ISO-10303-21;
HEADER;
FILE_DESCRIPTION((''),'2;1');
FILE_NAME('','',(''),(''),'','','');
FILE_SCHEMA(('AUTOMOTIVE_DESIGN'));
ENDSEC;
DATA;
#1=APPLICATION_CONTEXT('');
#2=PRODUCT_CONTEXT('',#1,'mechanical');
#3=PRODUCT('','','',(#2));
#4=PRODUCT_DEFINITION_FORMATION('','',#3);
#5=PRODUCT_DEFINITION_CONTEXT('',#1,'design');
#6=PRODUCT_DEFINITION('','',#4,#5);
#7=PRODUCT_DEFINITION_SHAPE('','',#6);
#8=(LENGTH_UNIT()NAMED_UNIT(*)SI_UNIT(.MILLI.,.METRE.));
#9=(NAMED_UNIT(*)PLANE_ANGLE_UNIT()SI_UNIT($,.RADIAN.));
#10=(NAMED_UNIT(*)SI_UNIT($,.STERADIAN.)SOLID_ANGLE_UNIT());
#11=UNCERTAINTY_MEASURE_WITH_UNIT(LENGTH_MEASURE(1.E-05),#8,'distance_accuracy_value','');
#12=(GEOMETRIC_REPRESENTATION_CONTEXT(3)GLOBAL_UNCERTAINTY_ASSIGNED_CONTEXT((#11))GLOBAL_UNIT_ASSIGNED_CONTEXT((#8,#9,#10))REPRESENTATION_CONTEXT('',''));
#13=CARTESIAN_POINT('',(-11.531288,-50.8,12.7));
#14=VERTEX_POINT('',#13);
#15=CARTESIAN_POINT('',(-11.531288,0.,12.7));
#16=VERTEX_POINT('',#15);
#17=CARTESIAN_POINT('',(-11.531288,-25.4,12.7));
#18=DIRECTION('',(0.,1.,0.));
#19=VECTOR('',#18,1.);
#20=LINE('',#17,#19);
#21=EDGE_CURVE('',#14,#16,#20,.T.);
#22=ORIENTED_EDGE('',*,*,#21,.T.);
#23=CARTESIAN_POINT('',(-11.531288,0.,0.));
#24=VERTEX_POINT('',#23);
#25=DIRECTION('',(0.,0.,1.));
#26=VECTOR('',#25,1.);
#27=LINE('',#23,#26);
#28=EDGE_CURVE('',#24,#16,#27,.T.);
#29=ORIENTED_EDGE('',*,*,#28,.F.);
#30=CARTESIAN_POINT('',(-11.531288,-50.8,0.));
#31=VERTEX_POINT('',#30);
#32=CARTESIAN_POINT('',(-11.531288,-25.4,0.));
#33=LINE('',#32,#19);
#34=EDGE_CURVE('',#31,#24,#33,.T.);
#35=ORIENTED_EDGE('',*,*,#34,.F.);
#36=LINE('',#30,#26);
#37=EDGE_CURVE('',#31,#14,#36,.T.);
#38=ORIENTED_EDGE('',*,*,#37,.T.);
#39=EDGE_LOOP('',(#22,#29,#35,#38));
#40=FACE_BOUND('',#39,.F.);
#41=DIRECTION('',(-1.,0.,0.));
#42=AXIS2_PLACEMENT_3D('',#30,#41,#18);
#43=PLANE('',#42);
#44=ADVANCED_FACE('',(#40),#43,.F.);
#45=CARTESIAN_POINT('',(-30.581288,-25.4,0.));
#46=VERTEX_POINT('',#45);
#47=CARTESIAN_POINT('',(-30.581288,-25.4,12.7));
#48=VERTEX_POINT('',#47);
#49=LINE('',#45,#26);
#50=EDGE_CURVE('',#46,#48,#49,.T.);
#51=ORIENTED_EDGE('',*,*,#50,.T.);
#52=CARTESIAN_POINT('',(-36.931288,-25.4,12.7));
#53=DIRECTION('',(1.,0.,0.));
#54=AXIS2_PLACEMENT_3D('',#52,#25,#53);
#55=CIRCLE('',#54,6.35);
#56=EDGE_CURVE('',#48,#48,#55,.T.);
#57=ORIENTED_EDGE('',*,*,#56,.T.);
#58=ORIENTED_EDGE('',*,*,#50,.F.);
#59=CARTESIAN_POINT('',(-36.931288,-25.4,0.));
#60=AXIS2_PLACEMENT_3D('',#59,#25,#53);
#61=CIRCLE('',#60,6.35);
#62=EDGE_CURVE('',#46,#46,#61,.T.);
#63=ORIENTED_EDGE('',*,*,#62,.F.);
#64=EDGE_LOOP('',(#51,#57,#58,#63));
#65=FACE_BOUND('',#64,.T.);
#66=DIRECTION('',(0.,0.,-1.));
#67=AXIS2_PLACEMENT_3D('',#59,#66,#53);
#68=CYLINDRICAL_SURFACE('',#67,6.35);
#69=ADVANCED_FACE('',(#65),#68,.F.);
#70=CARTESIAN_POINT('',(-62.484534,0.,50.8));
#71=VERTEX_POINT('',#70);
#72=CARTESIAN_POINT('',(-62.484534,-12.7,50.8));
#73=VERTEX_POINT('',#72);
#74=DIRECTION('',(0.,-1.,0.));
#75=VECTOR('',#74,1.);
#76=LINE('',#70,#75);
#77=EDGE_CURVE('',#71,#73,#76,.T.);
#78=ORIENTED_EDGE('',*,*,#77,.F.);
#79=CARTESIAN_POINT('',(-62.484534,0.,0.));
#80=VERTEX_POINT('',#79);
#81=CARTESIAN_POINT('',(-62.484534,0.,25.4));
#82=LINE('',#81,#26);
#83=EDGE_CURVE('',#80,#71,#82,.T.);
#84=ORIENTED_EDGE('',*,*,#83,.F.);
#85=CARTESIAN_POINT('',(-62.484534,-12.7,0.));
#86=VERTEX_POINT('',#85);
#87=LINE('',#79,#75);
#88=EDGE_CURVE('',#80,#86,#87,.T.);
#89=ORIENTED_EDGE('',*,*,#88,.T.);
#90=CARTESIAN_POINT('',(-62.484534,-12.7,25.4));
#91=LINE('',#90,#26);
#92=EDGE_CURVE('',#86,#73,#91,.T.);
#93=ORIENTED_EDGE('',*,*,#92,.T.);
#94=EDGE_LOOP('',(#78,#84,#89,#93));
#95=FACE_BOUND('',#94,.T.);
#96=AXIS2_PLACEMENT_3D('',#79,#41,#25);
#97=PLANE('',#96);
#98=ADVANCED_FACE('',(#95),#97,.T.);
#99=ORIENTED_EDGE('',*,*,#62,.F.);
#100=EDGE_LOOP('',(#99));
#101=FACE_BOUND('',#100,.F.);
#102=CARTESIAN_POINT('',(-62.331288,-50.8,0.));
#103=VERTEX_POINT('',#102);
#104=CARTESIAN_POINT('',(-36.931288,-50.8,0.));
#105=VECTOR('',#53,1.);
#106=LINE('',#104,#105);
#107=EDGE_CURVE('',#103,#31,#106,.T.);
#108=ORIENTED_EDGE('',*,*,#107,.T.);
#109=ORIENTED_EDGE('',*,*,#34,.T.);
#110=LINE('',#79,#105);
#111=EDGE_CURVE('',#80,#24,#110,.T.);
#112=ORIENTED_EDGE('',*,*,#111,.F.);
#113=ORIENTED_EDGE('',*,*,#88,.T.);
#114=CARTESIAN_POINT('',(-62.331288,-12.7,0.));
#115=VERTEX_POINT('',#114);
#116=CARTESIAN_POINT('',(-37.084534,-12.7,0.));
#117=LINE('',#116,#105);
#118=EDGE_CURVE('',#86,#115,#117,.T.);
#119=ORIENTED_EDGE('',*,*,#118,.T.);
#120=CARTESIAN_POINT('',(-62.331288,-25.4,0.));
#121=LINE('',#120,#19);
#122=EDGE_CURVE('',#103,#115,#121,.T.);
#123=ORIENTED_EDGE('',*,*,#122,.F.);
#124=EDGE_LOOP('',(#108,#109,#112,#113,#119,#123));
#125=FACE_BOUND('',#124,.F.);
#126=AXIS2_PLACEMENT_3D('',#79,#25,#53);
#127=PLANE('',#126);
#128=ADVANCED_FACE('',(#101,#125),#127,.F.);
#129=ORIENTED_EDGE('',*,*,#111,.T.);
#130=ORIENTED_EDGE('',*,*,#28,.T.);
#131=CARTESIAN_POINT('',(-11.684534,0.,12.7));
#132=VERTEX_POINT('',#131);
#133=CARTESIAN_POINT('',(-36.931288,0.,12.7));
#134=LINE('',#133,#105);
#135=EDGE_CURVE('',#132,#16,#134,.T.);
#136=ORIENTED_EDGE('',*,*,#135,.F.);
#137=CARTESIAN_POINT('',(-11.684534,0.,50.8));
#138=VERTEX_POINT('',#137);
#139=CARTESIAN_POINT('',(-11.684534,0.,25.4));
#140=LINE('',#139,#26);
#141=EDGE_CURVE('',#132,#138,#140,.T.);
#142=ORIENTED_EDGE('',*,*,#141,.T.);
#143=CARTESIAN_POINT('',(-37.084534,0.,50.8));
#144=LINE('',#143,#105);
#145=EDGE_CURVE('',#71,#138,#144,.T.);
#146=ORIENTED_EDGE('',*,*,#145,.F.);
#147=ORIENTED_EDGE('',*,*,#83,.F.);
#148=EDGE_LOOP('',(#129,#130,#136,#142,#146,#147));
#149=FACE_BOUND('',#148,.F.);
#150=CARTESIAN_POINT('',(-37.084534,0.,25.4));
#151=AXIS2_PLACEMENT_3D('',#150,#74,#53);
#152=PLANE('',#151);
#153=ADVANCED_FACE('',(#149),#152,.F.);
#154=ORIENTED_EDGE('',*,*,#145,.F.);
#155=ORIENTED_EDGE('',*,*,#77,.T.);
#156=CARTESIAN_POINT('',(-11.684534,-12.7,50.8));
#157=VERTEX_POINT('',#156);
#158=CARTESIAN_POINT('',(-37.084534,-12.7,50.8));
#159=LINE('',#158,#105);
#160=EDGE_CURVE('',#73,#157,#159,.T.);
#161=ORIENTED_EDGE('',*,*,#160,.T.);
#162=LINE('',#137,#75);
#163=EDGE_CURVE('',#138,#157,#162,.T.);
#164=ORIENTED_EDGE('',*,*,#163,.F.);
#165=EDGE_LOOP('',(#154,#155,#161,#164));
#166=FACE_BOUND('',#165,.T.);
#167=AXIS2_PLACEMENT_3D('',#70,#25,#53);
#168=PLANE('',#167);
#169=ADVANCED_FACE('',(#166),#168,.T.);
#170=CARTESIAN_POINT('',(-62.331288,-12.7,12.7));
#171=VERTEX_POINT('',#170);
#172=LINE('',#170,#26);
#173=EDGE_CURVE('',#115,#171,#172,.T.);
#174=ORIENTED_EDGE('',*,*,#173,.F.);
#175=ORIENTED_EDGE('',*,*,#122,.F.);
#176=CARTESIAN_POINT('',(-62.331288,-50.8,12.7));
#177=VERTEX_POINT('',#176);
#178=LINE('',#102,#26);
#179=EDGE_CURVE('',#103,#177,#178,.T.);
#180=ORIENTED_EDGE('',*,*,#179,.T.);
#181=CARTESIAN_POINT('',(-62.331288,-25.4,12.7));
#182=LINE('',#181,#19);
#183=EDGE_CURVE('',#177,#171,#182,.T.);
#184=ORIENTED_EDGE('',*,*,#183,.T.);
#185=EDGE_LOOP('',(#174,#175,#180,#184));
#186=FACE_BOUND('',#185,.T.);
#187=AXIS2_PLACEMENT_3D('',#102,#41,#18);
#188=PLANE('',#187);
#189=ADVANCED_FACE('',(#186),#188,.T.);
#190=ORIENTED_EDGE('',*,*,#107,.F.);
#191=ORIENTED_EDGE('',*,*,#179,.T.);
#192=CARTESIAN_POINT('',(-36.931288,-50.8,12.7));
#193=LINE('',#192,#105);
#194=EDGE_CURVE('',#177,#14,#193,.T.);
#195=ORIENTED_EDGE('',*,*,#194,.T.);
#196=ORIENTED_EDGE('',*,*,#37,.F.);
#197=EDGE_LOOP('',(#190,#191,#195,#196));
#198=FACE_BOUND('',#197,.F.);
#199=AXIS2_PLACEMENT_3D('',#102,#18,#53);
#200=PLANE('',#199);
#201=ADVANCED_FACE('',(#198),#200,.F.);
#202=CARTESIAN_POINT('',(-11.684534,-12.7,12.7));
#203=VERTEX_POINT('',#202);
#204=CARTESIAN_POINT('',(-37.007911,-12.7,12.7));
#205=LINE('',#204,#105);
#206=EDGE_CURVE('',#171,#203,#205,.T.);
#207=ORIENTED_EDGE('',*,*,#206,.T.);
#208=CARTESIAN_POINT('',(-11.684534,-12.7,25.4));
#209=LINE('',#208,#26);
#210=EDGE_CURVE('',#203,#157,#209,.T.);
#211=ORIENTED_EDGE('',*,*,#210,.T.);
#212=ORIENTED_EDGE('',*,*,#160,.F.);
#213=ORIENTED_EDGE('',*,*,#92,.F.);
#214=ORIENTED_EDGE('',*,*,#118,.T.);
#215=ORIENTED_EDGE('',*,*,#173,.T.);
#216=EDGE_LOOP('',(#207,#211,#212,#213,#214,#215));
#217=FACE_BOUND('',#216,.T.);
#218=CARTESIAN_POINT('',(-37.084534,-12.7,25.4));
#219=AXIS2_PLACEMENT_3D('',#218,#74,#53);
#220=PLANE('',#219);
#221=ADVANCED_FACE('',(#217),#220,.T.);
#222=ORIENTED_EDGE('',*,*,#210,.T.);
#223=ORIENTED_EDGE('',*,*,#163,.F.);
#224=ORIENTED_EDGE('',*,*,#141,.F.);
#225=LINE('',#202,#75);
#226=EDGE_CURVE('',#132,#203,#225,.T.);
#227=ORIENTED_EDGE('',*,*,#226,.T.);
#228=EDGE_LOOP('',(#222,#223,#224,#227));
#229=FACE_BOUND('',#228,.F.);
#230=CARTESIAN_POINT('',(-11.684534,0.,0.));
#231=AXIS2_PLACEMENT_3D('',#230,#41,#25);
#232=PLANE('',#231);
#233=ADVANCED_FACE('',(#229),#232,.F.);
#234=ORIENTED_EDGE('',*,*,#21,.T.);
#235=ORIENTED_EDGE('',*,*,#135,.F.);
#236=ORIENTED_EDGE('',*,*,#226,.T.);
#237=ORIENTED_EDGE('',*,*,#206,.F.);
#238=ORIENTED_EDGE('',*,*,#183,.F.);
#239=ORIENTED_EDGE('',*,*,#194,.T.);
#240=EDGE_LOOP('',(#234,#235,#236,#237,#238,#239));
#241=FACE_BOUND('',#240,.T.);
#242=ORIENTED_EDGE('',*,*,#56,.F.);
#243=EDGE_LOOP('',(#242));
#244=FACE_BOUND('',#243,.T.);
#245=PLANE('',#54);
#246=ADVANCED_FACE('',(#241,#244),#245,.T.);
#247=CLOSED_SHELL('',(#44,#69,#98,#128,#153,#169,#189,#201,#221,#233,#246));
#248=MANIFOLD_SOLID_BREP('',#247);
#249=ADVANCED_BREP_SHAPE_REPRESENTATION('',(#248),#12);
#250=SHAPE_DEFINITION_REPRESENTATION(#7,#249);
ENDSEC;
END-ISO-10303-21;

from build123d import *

# Parameters (mm, degrees)
F0_W     = 50.8
F0_H     = 50.8
F0_R     = 6.35
F1_DEPTH = 12.7
F2_W     = 50.8
F2_H     = 50.8
F3_DEPTH = 12.7


with BuildPart() as f1:
    # F0 (on Top) → F1 (new body)
    with BuildSketch(Plane.XY):
        with Locations((-36.931288, -25.4)):
            Rectangle(F0_W, F0_H)
        with Locations((-36.931288, -25.4)):
            Circle(F0_R, mode=Mode.SUBTRACT)
    extrude(amount=F1_DEPTH)

    # F2 (on Front) → F3 (join)
    with BuildSketch(Plane.XZ):
        with Locations((-37.084534, 25.4)):
            Rectangle(F2_W, F2_H)
    extrude(amount=F3_DEPTH)


solid = f1.part
